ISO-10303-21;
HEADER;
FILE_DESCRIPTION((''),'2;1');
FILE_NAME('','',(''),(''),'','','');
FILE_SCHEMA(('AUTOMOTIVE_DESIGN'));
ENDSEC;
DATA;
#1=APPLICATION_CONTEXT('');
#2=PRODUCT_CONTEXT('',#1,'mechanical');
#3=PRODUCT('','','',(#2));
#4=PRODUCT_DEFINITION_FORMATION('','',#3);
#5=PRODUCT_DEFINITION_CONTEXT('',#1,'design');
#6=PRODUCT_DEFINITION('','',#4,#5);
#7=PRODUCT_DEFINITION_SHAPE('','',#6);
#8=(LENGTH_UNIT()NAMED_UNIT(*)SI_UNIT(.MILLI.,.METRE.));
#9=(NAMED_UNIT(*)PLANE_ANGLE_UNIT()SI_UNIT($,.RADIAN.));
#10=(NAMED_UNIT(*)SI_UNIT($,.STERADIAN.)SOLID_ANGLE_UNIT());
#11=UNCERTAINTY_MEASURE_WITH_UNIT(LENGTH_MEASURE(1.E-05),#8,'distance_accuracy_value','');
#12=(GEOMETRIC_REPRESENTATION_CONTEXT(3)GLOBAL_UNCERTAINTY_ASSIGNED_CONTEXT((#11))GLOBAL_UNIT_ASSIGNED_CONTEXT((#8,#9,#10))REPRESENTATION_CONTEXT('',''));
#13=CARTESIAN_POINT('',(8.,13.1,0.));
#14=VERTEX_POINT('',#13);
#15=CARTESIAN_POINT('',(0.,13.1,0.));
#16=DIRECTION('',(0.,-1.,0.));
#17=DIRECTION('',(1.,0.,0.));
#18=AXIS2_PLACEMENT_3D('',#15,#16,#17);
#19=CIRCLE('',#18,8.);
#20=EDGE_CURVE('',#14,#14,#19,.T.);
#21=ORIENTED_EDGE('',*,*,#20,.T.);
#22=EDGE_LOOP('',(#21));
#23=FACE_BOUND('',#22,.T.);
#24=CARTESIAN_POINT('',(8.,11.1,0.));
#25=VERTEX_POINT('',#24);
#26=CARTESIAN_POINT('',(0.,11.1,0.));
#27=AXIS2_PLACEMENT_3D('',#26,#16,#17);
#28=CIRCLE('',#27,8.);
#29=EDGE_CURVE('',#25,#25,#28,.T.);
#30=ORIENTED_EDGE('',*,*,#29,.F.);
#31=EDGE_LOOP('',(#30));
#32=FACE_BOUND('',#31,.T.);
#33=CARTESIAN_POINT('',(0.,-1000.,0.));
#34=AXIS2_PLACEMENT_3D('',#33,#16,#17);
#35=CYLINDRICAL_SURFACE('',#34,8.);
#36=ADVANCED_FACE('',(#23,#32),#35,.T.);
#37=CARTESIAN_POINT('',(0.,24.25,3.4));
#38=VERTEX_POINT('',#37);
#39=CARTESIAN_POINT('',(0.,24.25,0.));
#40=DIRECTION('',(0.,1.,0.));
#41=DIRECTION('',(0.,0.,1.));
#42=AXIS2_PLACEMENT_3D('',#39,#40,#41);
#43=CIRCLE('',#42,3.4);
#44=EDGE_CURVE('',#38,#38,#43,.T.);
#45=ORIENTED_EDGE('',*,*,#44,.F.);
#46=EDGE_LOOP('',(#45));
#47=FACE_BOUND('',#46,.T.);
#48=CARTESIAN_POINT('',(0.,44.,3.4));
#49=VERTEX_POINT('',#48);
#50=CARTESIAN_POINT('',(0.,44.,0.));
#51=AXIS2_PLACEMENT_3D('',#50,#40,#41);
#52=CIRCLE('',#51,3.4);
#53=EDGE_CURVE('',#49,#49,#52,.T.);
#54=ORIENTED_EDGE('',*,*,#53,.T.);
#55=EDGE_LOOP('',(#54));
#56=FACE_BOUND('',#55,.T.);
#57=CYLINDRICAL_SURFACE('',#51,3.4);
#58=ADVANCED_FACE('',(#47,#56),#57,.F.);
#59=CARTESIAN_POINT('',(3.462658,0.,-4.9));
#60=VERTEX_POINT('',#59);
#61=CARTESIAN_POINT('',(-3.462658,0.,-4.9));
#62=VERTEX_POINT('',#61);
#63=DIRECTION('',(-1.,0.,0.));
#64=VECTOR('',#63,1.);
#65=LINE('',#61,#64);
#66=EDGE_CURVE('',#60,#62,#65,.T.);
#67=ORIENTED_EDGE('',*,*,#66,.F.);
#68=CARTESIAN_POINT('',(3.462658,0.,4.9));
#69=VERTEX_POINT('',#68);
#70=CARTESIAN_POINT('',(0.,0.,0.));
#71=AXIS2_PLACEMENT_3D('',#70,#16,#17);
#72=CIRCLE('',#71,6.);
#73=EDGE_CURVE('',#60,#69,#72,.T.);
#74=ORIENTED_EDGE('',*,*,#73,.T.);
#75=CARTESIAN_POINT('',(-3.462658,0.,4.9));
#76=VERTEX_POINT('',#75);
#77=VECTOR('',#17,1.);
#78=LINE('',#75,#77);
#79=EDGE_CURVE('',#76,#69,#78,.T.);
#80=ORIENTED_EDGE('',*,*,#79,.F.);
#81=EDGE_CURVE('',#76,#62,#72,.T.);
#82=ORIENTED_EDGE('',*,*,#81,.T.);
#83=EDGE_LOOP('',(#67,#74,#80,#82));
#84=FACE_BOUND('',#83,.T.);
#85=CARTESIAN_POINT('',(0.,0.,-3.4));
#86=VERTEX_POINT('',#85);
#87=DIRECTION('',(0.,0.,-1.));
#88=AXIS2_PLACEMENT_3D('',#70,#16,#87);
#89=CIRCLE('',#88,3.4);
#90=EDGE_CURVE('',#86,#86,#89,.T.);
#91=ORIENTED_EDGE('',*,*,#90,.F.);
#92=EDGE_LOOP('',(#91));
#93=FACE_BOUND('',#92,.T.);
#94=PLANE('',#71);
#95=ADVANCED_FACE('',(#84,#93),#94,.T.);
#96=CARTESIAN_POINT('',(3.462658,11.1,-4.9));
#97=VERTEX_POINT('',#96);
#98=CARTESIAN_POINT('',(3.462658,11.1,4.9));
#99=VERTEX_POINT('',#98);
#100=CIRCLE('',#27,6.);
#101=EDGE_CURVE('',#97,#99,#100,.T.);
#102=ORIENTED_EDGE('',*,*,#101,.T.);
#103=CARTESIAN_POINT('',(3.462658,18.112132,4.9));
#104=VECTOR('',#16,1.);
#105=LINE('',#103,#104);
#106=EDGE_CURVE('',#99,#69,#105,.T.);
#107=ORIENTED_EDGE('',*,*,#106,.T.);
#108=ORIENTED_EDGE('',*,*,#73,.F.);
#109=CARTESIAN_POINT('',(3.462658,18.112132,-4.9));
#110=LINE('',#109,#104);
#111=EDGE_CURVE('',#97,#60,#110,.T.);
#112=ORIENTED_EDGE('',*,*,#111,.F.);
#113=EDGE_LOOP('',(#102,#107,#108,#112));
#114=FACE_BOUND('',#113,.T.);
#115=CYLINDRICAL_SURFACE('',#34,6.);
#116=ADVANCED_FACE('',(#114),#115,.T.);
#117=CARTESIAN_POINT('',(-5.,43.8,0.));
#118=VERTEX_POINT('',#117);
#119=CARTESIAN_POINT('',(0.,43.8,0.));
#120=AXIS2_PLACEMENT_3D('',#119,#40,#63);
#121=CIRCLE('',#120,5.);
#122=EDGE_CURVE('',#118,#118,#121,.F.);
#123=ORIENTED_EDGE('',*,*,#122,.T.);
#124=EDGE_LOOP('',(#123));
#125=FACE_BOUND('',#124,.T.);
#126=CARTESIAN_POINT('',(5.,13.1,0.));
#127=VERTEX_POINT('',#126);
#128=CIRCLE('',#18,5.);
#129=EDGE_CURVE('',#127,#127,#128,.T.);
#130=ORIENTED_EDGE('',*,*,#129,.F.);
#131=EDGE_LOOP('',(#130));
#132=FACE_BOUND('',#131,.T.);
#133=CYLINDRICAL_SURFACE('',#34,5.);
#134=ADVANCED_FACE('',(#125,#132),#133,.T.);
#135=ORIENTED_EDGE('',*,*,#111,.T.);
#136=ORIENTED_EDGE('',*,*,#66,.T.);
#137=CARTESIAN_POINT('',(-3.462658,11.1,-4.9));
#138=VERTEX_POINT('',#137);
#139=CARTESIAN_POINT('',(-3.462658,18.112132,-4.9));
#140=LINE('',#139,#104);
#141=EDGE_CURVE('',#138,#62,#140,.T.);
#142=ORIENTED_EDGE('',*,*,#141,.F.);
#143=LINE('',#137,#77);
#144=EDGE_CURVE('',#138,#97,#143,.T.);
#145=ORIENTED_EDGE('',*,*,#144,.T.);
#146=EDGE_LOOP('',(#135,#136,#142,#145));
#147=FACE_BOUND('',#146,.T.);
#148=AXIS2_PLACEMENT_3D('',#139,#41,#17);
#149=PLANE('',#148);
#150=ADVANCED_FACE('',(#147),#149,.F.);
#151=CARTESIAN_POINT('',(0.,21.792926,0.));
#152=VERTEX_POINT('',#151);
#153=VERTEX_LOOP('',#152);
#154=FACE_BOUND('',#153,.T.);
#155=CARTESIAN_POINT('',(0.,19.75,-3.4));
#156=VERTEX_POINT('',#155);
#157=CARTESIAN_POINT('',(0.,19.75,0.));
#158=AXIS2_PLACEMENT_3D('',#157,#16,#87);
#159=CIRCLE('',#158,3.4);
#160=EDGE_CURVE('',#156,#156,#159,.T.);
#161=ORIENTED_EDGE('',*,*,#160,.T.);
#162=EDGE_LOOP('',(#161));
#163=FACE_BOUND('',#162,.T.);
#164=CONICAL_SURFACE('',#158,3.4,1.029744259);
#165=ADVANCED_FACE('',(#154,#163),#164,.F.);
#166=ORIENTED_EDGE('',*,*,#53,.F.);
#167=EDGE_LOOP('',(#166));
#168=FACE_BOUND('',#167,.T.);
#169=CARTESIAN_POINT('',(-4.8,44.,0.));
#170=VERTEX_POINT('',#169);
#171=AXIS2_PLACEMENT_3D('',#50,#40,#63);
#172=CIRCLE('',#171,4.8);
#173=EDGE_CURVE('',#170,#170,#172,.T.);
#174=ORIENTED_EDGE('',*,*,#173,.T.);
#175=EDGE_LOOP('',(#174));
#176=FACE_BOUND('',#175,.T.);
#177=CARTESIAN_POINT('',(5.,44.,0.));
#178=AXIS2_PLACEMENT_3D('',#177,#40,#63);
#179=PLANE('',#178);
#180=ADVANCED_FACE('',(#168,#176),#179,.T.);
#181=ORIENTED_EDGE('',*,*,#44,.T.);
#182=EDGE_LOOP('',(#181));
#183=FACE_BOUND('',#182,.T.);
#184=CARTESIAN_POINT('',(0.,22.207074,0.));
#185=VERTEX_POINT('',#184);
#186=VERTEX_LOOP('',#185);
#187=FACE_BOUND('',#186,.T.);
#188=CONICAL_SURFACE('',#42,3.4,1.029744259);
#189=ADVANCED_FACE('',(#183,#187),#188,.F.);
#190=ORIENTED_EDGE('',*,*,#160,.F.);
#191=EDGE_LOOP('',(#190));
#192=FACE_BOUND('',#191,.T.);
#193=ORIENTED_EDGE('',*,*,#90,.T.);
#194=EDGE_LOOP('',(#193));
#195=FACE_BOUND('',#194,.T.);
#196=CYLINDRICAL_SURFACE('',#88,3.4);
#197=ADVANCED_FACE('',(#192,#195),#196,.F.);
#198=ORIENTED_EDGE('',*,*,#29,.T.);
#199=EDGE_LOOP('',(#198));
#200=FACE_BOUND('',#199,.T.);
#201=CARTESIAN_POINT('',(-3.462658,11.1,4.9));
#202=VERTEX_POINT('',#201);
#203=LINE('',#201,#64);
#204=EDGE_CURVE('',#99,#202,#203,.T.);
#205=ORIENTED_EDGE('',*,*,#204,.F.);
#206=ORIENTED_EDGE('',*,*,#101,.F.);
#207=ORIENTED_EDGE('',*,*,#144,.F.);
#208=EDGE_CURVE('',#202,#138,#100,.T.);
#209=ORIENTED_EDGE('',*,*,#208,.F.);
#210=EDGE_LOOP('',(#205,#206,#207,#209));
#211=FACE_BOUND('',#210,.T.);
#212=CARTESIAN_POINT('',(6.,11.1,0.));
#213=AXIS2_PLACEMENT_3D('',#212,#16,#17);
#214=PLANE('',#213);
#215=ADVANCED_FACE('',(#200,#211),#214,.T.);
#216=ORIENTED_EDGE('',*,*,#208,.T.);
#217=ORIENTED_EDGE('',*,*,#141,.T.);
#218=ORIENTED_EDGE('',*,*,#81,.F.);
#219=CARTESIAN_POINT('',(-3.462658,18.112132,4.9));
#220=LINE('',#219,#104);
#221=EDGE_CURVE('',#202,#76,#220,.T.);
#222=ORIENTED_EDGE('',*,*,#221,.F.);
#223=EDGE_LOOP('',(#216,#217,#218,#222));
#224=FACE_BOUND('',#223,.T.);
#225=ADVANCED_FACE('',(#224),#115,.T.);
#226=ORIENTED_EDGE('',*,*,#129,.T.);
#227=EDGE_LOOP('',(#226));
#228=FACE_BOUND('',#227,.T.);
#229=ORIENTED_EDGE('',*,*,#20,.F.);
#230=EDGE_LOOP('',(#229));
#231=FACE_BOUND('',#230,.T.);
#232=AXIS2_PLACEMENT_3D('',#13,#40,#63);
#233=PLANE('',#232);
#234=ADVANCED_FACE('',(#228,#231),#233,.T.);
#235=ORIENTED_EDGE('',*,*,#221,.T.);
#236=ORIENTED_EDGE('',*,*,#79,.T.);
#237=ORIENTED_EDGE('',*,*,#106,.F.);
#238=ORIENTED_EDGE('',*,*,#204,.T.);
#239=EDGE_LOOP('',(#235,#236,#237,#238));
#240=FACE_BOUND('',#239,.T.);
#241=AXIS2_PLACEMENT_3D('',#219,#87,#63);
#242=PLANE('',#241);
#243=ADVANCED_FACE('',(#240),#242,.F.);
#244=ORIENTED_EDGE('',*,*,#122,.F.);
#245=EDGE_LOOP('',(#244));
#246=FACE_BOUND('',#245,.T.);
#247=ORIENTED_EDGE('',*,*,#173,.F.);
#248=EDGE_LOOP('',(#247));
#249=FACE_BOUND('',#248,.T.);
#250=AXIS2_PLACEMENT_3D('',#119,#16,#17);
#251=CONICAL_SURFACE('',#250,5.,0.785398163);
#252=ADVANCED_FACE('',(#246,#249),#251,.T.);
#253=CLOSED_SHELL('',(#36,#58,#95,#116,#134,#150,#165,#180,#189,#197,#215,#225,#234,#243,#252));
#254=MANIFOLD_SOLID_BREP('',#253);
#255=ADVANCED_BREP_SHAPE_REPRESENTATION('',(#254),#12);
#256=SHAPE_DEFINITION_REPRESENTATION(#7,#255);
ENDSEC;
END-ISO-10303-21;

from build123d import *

# Parameters (mm, degrees)
SKETCH_2_W             = 6.925315878
SKETCH_2_H             = 1.1
CUT_EXTRUDE_1_DEPTH    = 11.1
HOLE_WIZARD_M8_1_D     = 6.8
HOLE_WIZARD_M8_1_DEPTH = 19.75
HOLE_WIZARD_M8_1_TIP   = 2.042926105
HOLE_WIZARD_M8_2_D     = 6.8
HOLE_WIZARD_M8_2_DEPTH = 19.75
HOLE_WIZARD_M8_2_TIP   = 2.042926105
CHAMFER_1_SIZE         = 0.2


with BuildPart() as part:
    # 草图1 → 旋转1 (revolve)
    with BuildSketch(Plane.XY):
        Polygon((0, 0), (6, 0), (6, 11.1), (8, 11.1), (8, 13.1), (5, 13.1), (5, 44), (0, 44), align=None)
    revolve(axis=Axis((0, -1000, 0), (0, 1, 0)))

    # 草图2 → 切除-拉伸1 (cut)
    with BuildSketch(Plane.XZ):
        with Locations((0, -5.45)):
            Rectangle(SKETCH_2_W, SKETCH_2_H)
        with Locations((0, 5.45)):
            Rectangle(SKETCH_2_W, SKETCH_2_H)
    extrude(amount=-CUT_EXTRUDE_1_DEPTH, mode=Mode.SUBTRACT)

    # M8 螺纹孔1
    with Locations(Plane(origin=(0, 44, 0), x_dir=(1, 0, 0), z_dir=(0, 1, 0))):
        with Locations((0, 0)):
            Hole(HOLE_WIZARD_M8_1_D / 2, depth=HOLE_WIZARD_M8_1_DEPTH)
            with Locations((0, 0, -(HOLE_WIZARD_M8_1_DEPTH + HOLE_WIZARD_M8_1_TIP / 2))):  # 118° drill point
                Cone(0, HOLE_WIZARD_M8_1_D / 2, HOLE_WIZARD_M8_1_TIP, mode=Mode.SUBTRACT)

    # M8 螺纹孔2
    with Locations(Plane(origin=(0, 0, 0), x_dir=(-1, 0, 0), z_dir=(0, -1, 0))):
        with Locations((0, 0)):
            Hole(HOLE_WIZARD_M8_2_D / 2, depth=HOLE_WIZARD_M8_2_DEPTH)
            with Locations((0, 0, -(HOLE_WIZARD_M8_2_DEPTH + HOLE_WIZARD_M8_2_TIP / 2))):  # 118° drill point
                Cone(0, HOLE_WIZARD_M8_2_D / 2, HOLE_WIZARD_M8_2_TIP, mode=Mode.SUBTRACT)

    # 倒角1
    chamfer_1_edges = [part.edges().sort_by_distance(p)[0] for p in [
        (-5, 44, 0),
    ]]
    chamfer(chamfer_1_edges, length=CHAMFER_1_SIZE)


solid = part.part
